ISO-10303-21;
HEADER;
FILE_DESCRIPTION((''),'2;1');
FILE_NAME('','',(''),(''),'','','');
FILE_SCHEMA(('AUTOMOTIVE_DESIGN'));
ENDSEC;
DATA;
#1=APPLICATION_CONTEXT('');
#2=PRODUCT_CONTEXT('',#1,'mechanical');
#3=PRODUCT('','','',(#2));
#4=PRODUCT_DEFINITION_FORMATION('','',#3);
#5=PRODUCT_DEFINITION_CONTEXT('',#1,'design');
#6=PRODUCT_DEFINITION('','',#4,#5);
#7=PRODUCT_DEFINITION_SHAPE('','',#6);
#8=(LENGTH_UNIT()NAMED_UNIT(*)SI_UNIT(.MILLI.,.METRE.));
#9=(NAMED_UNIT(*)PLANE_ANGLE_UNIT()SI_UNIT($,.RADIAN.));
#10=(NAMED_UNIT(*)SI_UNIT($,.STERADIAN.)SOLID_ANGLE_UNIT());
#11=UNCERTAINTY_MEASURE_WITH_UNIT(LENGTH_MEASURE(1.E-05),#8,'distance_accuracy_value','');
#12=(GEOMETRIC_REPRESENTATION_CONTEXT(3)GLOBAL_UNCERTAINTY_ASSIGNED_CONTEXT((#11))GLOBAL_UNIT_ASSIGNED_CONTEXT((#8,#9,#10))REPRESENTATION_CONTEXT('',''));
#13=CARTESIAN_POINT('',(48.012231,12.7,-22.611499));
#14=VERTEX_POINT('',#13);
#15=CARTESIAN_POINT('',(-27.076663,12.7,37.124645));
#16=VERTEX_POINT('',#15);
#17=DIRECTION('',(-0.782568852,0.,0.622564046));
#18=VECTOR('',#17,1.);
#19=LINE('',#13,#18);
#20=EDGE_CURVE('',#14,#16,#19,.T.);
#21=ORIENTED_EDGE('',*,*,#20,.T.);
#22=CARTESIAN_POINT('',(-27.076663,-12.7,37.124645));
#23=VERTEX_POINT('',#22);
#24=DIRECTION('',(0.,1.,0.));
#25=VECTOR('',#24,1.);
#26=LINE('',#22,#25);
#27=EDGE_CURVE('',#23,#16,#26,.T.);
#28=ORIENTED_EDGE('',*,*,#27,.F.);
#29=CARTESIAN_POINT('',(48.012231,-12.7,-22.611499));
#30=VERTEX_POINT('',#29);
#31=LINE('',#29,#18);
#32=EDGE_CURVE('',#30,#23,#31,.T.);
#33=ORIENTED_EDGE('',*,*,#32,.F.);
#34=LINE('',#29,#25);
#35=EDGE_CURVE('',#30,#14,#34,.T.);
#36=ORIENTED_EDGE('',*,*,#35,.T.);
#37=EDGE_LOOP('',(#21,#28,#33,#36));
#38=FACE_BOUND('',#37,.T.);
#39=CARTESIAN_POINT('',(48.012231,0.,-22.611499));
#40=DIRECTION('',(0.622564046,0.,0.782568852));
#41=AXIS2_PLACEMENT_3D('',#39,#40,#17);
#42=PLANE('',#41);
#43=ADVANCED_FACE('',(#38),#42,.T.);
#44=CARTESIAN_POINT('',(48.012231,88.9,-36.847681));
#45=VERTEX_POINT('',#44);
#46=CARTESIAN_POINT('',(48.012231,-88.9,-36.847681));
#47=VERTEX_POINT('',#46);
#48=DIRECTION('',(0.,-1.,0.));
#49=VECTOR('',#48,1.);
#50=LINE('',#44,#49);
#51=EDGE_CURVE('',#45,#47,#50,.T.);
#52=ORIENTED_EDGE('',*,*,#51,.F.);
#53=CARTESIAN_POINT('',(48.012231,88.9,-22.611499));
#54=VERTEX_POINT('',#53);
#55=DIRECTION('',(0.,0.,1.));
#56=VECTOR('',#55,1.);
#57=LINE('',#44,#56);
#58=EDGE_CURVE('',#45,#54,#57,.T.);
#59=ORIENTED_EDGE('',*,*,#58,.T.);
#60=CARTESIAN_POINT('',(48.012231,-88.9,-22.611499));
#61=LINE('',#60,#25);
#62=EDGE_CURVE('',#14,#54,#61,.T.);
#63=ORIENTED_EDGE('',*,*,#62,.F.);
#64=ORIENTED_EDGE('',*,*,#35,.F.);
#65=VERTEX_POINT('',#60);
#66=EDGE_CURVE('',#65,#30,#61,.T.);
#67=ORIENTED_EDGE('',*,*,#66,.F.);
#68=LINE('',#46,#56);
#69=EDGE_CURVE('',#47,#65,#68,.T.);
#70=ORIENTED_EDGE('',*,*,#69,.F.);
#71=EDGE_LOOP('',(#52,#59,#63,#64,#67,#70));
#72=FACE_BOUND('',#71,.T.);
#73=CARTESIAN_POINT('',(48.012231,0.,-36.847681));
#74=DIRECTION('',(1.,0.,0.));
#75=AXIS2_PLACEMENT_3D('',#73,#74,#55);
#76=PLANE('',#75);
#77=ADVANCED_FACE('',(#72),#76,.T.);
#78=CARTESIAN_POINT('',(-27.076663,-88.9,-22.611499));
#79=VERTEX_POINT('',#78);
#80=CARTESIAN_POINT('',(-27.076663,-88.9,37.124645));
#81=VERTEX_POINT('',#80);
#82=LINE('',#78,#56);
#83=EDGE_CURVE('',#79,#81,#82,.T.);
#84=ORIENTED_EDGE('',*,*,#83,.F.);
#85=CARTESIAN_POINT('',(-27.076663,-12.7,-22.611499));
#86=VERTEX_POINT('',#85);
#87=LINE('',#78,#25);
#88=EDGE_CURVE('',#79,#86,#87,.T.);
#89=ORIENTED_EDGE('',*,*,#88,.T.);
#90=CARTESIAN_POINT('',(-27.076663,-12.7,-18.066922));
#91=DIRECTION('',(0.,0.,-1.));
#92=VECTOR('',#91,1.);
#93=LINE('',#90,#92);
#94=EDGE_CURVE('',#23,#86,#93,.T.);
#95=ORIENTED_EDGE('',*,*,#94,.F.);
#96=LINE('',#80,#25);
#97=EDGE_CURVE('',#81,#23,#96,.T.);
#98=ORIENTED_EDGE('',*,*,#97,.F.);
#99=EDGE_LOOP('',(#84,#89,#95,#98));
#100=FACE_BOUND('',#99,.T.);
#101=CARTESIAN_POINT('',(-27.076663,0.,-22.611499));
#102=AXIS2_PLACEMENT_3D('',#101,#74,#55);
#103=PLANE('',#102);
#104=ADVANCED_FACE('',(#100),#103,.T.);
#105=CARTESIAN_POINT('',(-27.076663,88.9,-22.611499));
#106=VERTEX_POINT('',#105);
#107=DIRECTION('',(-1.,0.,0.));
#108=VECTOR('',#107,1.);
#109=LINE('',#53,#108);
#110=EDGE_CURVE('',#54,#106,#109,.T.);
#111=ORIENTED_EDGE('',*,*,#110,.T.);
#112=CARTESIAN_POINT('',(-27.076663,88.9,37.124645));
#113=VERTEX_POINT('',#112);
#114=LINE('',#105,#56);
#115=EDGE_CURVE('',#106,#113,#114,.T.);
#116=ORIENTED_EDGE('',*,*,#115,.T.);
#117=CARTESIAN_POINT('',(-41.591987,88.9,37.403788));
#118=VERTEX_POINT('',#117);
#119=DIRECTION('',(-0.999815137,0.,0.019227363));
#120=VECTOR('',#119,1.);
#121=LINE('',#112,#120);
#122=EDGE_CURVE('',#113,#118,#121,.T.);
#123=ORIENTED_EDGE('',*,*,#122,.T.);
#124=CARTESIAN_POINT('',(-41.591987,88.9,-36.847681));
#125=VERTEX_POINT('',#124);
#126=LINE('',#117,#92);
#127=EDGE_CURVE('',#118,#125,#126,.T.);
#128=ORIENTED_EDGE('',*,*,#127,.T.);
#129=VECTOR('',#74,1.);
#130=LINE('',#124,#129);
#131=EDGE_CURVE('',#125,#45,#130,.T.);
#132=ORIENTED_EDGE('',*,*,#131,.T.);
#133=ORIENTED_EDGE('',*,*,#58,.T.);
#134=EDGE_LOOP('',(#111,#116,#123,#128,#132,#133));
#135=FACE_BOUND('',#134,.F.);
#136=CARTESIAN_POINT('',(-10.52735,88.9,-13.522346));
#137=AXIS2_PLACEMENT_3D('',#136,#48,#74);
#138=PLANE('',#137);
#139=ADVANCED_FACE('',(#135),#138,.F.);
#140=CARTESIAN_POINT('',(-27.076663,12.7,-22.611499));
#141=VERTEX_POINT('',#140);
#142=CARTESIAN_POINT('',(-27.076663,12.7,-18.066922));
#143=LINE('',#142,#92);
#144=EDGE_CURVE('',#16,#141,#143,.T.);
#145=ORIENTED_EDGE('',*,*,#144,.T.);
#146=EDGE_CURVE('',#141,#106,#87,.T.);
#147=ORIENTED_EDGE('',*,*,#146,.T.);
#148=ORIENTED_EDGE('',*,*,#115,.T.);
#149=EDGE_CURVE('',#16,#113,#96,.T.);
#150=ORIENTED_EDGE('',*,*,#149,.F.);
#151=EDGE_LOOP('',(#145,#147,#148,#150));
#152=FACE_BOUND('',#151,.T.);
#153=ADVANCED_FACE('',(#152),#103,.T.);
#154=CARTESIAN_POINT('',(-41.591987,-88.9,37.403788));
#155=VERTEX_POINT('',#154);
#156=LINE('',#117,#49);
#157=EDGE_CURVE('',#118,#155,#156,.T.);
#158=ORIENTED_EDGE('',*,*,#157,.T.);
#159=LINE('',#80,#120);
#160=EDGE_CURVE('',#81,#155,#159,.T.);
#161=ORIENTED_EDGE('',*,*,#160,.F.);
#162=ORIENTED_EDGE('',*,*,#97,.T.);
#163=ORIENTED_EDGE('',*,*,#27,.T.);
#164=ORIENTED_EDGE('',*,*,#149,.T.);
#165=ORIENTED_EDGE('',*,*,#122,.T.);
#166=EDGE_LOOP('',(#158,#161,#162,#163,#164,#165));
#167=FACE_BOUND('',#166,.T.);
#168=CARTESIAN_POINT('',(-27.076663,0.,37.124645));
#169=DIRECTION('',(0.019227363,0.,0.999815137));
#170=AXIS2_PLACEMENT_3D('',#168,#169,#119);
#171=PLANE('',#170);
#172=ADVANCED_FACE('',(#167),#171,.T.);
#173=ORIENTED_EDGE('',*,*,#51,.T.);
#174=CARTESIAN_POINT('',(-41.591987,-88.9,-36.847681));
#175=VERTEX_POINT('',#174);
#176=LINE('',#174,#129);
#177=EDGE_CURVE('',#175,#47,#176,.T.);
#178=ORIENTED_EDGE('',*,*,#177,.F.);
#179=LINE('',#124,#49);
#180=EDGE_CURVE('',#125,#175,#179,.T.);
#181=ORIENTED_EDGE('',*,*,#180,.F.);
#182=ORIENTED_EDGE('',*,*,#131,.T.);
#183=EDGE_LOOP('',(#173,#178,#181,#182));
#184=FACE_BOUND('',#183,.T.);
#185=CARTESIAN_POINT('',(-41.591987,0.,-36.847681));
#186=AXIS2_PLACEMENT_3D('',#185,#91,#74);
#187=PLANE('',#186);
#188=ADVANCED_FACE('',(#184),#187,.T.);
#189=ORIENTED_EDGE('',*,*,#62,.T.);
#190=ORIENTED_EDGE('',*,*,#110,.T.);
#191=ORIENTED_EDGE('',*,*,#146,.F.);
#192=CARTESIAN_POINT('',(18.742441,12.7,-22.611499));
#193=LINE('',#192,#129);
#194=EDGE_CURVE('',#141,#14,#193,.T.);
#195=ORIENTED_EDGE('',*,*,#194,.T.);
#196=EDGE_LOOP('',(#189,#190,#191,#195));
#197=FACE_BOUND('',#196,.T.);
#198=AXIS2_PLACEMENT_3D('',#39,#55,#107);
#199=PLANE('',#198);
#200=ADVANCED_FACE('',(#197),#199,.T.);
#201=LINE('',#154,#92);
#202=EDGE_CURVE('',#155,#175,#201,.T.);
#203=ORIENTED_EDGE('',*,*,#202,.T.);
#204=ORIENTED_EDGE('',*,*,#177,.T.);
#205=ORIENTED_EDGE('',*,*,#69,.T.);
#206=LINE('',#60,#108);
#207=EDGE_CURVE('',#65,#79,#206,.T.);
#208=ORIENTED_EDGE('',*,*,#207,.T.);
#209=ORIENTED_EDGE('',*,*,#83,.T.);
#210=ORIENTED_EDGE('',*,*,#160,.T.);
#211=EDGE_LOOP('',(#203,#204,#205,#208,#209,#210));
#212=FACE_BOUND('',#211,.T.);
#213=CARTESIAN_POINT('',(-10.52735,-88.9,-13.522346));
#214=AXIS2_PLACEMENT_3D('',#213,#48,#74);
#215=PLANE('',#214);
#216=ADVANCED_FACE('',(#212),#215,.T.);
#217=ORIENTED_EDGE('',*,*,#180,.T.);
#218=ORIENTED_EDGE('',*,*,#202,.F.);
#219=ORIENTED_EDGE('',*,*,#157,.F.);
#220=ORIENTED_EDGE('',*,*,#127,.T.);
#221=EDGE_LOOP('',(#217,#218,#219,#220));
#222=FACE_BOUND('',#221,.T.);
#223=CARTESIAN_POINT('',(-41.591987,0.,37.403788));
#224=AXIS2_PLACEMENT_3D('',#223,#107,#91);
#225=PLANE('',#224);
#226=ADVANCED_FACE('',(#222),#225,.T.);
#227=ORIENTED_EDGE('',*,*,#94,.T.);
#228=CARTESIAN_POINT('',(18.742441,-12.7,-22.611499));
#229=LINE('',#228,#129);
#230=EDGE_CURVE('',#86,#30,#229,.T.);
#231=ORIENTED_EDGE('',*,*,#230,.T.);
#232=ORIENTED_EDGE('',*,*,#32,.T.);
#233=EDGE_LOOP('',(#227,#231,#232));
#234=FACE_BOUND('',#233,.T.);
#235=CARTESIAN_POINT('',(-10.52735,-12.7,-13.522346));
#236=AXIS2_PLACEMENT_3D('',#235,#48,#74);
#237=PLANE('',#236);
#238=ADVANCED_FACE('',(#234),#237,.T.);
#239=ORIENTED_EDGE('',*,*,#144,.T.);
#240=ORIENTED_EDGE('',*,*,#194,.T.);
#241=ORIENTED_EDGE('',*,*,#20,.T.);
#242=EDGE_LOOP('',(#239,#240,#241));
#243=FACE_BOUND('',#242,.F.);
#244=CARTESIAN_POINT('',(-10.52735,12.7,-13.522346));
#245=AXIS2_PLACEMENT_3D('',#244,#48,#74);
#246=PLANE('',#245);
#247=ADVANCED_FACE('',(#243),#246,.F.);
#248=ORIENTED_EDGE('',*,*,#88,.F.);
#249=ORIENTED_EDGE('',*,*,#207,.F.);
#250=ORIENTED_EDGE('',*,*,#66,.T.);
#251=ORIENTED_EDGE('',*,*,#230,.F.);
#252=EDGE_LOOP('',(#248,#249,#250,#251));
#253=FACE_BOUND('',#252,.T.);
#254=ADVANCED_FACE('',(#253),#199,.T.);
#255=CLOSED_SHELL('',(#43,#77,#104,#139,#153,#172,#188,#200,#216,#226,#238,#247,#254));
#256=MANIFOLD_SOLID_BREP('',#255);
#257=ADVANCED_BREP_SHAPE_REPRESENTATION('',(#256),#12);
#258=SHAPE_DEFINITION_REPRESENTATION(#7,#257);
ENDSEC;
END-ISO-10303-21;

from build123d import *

# Parameters (mm, degrees)
F1_DEPTH = 88.9
F2_DEPTH = 12.7


with BuildPart() as f1:
    # F0 (on Front) → F1 (new body, symmetric)
    with BuildSketch(Plane.XZ):
        Polygon((-27.076663, 37.124645), (-41.591987, 37.403788), (-41.591987, -36.847681), (48.012231, -36.847681), (48.012231, -22.611499), (-27.076663, -22.611499), align=None)
    extrude(amount=F1_DEPTH, both=True)

    # F0 (on Front) → F2 (join, symmetric)
    with BuildSketch(Plane.XZ):
        Polygon((-27.076663, 37.124645), (-41.591987, 37.403788), (-41.591987, -36.847681), (48.012231, -36.847681), (48.012231, -22.611499), (-27.076663, -22.611499), align=None)
        Polygon((48.012231, -22.611499), (-27.076663, 37.124645), (-27.076663, -22.611499), align=None)
    extrude(amount=F2_DEPTH, both=True)


solid = f1.part
